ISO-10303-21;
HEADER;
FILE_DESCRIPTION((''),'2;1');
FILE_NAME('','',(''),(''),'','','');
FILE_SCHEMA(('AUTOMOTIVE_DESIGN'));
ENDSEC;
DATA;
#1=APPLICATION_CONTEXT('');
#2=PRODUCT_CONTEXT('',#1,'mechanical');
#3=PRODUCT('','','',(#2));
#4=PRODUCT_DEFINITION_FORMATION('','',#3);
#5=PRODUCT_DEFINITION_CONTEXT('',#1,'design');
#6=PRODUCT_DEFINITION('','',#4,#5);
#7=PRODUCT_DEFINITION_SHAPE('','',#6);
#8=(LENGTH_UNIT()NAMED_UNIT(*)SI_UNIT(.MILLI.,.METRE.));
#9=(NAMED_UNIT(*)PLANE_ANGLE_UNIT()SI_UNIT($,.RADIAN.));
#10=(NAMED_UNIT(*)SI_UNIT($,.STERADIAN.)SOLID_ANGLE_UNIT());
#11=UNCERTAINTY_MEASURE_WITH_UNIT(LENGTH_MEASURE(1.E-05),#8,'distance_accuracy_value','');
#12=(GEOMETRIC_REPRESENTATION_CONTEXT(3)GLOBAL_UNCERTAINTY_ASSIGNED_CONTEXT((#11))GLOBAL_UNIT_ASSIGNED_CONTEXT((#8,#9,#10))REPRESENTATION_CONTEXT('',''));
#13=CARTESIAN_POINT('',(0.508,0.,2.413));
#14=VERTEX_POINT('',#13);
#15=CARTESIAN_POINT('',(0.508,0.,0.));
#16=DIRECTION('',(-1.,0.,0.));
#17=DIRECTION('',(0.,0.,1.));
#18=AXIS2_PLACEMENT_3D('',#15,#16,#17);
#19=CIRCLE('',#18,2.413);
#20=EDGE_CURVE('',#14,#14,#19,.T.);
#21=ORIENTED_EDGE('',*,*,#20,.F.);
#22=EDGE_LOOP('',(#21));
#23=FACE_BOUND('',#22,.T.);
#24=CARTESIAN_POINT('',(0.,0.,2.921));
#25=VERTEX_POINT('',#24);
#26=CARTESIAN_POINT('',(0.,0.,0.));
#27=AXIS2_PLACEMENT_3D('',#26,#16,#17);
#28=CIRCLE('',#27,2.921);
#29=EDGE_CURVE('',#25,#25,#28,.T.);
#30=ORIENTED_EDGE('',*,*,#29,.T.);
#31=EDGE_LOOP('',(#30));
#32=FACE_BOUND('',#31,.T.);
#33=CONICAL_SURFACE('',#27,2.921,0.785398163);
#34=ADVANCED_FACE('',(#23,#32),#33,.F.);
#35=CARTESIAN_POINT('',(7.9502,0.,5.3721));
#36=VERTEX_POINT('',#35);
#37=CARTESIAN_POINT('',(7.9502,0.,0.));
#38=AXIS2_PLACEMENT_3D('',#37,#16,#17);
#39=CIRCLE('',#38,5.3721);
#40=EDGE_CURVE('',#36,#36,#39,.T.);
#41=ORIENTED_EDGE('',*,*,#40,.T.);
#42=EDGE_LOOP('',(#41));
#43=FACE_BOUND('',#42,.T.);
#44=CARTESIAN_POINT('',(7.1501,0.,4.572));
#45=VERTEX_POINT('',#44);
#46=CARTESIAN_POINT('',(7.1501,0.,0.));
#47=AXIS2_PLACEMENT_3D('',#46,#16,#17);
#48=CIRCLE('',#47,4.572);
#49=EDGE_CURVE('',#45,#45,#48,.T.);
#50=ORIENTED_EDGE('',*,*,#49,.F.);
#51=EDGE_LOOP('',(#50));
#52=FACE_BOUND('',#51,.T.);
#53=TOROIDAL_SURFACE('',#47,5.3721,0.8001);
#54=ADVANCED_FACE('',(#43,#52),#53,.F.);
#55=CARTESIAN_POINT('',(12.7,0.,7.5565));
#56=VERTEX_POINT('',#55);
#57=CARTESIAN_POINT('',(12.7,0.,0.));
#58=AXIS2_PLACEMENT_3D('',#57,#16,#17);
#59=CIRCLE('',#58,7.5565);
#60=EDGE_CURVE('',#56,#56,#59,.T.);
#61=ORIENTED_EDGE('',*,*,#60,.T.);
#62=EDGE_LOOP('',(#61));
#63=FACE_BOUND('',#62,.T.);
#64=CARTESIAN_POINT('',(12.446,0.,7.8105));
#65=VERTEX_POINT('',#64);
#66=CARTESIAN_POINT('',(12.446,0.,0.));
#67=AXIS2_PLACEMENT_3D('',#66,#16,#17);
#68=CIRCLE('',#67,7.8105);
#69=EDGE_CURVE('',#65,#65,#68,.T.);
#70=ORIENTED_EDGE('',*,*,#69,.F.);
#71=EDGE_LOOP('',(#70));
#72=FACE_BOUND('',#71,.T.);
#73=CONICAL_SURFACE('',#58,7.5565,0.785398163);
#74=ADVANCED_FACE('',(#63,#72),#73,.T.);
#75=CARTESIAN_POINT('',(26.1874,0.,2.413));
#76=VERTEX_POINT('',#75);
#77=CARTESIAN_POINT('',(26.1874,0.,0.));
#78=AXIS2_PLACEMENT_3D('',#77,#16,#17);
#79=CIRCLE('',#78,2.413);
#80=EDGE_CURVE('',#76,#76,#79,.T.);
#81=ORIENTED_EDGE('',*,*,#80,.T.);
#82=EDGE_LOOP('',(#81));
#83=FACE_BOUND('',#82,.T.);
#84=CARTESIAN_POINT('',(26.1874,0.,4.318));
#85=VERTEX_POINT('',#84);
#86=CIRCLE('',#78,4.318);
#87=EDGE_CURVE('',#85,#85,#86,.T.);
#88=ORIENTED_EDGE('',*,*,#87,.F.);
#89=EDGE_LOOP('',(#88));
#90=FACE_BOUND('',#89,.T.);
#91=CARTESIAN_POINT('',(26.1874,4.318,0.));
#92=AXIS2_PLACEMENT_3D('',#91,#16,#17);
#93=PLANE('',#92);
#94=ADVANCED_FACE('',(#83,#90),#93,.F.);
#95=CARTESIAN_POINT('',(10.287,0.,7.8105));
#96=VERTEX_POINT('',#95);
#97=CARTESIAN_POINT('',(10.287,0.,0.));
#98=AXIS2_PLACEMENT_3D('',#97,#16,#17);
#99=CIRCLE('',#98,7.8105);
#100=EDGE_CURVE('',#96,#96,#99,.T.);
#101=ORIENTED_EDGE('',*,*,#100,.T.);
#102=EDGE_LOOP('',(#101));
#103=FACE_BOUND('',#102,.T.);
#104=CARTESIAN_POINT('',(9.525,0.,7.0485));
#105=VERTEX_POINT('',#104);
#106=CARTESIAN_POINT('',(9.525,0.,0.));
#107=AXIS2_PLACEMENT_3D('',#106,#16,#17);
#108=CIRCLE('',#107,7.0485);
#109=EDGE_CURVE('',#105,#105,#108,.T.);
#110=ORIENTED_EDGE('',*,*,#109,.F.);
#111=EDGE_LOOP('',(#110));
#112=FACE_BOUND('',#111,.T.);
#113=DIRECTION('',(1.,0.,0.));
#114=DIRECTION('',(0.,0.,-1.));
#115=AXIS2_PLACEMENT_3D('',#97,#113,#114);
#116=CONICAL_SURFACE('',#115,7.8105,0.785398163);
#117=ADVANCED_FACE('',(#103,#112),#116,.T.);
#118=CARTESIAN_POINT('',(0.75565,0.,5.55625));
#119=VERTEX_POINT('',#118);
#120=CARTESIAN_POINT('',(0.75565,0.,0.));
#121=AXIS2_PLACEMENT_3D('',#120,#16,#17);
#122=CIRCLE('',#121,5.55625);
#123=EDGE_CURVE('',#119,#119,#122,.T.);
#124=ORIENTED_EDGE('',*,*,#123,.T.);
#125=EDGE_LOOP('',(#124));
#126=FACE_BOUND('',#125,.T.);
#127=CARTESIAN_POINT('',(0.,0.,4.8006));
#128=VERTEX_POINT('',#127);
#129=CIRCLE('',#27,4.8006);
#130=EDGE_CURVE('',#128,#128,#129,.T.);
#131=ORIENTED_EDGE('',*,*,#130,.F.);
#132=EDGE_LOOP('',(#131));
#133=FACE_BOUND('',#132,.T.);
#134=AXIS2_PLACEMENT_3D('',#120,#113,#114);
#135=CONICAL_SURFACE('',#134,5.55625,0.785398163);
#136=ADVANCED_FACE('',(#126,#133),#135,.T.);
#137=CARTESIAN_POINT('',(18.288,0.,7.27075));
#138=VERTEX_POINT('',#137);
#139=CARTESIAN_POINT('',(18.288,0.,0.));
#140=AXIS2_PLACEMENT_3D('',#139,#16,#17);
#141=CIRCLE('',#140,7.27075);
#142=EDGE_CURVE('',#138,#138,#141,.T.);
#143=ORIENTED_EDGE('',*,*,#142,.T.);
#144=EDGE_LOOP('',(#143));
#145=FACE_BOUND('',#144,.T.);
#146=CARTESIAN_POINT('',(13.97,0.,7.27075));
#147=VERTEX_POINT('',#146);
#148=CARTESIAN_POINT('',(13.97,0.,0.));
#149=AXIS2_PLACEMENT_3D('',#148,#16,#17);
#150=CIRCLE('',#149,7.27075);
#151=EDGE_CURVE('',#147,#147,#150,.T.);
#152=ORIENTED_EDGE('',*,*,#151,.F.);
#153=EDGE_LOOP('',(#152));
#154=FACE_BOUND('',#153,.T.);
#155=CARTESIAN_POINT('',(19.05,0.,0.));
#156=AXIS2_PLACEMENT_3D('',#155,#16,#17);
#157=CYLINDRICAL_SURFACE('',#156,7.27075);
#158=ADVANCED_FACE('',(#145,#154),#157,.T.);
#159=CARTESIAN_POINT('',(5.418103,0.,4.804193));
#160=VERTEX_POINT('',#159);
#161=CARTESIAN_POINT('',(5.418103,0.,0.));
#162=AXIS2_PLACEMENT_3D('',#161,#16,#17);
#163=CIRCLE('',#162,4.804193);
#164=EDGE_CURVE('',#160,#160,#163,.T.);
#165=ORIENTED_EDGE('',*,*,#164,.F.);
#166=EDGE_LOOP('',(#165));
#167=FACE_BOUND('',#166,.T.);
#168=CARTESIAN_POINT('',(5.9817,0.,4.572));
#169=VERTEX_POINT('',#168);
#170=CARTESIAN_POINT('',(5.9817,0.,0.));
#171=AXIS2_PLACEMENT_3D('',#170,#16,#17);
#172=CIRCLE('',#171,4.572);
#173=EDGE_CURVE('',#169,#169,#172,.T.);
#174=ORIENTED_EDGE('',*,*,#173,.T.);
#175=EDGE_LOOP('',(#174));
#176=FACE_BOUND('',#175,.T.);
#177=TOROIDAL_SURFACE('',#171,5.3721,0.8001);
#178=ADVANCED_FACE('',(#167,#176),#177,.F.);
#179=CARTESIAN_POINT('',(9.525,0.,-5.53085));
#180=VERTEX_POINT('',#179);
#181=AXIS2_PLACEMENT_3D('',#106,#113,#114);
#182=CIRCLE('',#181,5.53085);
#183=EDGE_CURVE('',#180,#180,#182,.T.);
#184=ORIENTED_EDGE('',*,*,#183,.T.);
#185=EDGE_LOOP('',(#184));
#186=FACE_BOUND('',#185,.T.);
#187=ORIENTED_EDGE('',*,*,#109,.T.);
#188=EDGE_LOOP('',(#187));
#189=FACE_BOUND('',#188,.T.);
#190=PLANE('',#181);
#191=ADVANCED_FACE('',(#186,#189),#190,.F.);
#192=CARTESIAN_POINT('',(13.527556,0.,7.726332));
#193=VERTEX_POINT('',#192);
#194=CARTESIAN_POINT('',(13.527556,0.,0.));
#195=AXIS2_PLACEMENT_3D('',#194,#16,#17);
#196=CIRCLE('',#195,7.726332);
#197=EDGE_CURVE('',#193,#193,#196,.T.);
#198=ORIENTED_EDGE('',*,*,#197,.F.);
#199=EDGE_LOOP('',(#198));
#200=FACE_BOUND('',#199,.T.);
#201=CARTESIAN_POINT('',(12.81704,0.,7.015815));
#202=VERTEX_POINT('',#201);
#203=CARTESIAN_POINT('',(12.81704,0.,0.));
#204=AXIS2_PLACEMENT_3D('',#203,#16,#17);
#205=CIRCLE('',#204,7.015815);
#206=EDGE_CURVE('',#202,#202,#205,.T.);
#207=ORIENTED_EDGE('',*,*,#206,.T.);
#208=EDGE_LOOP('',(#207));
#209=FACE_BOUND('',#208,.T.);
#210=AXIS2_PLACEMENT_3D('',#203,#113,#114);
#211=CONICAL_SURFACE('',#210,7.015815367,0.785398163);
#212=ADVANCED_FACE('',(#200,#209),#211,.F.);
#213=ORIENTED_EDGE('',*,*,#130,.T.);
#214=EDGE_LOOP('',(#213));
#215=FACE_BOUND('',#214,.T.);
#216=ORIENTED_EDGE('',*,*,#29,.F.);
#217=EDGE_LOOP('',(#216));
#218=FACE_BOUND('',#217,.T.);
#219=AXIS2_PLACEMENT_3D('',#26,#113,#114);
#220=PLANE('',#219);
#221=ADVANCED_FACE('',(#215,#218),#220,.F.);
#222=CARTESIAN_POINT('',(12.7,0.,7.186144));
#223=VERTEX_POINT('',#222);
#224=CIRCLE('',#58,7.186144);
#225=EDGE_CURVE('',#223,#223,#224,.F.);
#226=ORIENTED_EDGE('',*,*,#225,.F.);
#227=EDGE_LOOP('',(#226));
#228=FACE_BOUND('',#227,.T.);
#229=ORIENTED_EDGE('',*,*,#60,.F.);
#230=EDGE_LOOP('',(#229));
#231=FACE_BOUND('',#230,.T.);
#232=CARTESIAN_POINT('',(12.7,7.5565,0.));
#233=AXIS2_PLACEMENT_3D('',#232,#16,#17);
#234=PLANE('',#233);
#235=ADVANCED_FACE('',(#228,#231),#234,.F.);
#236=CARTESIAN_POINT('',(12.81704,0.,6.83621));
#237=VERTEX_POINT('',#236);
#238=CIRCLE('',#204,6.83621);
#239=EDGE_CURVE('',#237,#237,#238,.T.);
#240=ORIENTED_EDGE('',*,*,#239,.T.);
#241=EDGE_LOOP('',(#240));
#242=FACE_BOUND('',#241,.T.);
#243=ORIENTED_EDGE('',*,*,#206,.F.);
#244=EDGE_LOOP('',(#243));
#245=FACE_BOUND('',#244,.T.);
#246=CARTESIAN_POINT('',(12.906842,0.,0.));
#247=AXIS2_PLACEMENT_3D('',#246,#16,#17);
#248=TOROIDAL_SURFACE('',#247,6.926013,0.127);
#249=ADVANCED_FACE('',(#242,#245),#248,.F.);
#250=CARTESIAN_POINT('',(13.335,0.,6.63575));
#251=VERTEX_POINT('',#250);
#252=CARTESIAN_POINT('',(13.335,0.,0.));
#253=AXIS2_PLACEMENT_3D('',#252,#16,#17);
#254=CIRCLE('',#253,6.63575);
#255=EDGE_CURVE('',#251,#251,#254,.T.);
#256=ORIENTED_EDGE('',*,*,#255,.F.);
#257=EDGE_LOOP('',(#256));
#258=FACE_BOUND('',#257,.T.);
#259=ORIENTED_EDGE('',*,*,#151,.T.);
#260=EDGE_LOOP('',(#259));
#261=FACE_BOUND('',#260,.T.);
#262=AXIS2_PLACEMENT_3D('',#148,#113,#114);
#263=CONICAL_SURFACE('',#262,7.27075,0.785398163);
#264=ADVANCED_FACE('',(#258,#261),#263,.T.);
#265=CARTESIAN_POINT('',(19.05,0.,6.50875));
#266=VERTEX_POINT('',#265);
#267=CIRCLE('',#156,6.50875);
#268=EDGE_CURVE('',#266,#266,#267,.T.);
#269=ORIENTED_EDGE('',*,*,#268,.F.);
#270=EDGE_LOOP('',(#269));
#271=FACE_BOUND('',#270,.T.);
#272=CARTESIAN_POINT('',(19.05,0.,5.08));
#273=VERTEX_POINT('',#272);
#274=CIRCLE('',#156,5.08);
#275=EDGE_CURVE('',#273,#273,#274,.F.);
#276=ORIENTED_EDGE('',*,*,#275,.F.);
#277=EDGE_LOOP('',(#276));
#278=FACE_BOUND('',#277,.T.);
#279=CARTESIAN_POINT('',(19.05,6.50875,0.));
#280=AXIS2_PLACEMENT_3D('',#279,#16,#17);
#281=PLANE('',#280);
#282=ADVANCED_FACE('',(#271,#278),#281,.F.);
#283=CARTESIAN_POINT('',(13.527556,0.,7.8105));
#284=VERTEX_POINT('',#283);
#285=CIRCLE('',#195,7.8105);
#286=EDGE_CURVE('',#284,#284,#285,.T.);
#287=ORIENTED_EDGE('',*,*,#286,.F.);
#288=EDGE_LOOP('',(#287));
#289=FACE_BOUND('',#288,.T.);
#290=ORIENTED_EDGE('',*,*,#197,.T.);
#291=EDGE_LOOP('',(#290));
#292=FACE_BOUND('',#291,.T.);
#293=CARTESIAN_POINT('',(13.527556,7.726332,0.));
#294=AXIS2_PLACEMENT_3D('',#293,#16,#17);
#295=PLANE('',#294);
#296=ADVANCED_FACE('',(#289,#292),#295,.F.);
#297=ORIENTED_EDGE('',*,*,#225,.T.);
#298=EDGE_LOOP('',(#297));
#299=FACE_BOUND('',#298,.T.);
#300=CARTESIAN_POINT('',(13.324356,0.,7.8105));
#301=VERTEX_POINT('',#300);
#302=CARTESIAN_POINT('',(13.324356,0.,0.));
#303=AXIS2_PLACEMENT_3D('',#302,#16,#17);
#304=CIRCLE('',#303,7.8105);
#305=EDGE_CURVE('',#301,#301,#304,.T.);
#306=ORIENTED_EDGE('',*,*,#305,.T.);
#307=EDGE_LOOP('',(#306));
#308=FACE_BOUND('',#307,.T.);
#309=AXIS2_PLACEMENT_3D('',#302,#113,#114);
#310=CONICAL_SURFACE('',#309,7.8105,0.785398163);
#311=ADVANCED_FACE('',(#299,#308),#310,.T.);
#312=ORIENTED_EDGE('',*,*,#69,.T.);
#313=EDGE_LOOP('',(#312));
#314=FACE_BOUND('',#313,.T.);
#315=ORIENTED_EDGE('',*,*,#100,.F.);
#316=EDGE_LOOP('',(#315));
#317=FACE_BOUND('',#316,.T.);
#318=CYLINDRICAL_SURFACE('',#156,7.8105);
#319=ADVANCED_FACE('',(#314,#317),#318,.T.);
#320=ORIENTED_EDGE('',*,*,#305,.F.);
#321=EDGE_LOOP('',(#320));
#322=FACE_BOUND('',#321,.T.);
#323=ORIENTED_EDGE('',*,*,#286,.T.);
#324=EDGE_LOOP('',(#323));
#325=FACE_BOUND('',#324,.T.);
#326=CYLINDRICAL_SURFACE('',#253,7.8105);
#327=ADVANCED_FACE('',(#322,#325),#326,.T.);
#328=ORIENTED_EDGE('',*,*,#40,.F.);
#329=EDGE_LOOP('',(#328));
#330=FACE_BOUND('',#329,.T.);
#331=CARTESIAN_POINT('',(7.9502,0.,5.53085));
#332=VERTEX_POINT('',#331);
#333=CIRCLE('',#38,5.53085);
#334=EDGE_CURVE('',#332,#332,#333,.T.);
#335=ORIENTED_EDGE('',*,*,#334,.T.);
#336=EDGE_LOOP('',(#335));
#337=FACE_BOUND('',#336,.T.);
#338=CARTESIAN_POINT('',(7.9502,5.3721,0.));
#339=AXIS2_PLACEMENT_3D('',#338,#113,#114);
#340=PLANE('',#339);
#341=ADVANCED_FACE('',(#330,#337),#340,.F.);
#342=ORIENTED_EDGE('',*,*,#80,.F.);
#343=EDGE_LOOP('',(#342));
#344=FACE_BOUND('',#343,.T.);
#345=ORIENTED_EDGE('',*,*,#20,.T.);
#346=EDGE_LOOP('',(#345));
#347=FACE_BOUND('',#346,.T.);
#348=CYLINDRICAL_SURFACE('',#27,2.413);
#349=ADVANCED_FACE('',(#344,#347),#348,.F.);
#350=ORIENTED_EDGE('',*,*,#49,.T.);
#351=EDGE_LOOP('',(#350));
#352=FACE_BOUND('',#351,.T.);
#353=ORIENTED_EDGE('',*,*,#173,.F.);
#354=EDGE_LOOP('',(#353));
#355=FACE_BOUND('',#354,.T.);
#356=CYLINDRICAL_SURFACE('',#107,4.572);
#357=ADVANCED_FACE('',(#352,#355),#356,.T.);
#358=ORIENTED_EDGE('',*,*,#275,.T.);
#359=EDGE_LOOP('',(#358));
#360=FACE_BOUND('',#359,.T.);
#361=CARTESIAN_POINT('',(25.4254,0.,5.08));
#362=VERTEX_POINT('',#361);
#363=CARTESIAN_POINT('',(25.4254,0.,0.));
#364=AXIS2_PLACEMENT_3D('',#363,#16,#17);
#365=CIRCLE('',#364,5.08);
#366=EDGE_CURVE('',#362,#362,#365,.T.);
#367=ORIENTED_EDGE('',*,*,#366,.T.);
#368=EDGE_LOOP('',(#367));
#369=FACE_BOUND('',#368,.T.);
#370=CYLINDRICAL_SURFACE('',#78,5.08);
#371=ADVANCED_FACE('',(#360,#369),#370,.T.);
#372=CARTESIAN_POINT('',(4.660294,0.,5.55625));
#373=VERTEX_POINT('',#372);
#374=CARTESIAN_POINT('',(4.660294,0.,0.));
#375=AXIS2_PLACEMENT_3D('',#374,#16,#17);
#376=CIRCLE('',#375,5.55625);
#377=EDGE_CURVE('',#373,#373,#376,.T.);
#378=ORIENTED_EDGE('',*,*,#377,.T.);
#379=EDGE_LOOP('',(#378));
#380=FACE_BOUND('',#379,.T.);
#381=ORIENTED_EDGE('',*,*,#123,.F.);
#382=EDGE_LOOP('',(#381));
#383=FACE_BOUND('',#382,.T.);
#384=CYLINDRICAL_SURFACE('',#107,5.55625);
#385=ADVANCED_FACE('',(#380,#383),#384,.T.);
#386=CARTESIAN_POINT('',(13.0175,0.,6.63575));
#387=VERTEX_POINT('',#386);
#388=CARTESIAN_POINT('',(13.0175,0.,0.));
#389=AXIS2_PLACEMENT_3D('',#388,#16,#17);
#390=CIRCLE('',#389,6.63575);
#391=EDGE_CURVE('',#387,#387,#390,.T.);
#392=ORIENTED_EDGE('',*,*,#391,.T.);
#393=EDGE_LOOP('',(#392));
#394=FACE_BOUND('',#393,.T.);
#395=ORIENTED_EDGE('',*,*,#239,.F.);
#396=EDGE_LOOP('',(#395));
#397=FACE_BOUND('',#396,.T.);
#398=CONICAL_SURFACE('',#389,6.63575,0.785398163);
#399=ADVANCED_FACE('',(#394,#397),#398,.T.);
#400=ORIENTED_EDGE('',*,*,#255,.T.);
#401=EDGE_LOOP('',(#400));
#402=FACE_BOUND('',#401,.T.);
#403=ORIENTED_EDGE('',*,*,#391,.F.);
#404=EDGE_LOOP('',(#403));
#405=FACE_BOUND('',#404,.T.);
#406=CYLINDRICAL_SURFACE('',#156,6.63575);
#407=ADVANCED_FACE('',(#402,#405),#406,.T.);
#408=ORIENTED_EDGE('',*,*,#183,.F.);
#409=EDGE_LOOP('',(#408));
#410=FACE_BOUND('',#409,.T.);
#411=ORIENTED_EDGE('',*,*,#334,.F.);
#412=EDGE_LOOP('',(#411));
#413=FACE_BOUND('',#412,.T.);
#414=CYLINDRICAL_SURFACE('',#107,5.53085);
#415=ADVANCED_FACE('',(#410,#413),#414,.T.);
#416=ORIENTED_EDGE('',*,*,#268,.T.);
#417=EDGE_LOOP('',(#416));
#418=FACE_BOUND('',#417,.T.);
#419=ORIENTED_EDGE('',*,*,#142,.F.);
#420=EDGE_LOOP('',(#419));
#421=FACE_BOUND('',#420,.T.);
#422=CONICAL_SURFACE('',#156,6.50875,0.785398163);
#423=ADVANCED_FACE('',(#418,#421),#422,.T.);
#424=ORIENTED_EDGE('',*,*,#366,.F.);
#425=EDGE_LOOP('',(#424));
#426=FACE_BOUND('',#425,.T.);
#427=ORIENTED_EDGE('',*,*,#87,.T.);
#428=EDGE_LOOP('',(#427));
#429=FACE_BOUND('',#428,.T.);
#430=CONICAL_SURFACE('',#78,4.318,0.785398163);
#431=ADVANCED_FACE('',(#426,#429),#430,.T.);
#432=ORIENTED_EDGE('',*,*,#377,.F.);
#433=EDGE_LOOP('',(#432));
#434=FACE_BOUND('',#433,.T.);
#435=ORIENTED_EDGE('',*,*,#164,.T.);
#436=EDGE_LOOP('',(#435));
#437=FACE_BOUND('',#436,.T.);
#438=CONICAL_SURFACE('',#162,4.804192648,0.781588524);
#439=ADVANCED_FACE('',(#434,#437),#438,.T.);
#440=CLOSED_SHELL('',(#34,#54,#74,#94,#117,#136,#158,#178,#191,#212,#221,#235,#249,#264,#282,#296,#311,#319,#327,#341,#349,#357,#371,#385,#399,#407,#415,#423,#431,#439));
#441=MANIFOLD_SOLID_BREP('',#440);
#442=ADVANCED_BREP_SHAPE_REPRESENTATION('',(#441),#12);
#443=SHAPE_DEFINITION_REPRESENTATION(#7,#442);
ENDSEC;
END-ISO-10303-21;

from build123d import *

# Parameters (mm, degrees)
HOLE1_D           = 4.826
HOLE1_CSINK_D     = 5.842
HOLE1_CSINK_ANGLE = 90


with BuildPart() as part:
    # Sketch1 → Revolve1 (revolve)
    with BuildSketch(Plane.XY):
        with BuildLine():
            Line((0, 0), (0, 4.8006))
            Line((0, 4.8006), (0.75565, 5.55625))
            Line((0.75565, 5.55625), (4.660293864, 5.55625))
            Line((4.660293864, 5.55625), (5.418103291, 4.804192648))
            ThreePointArc((5.418103291, 4.804192648), (5.676923575, 4.6323221), (5.9817, 4.572))
            Line((5.9817, 4.572), (7.1501, 4.572))
            ThreePointArc((7.1501, 4.572), (7.715856136, 4.806343864), (7.9502, 5.3721))
            Line((7.9502, 5.3721), (7.9502, 5.53085))
            Line((7.9502, 5.53085), (9.525, 5.53085))
            Line((9.525, 5.53085), (9.525, 0))
            Line((9.525, 0), (0, 0))
        make_face()
    revolve(axis=Axis((9.525, 0, 0), (-1, 0, 0)))

    # Sketch2 → Revolve2 (revolve)
    with BuildSketch(Plane.XY):
        Polygon((9.525, 0), (9.525, 7.0485), (10.287, 7.8105), (12.446, 7.8105), (12.7, 7.5565), (12.7, 6.63575), (13.335, 6.63575), (13.97, 7.27075), (18.288, 7.27075), (19.05, 6.50875), (19.05, 0), align=None)
    revolve(axis=Axis((19.05, 0, 0), (-1, 0, 0)))

    # Sketch3 → Revolve3 (revolve)
    with BuildSketch(Plane.XY):
        Polygon((19.05, 0), (19.05, 5.08), (25.4254, 5.08), (26.1874, 4.318), (26.1874, 0), align=None)
    revolve(axis=Axis((26.1874, 0, 0), (-1, 0, 0)))

    # Hole1 (through all)
    with Locations(Plane.ZY):
        with Locations((0, 0)):
            CounterSinkHole(HOLE1_D / 2, HOLE1_CSINK_D / 2, counter_sink_angle=HOLE1_CSINK_ANGLE)

    # Sketch6 → Revolve4 (revolve)
    with BuildSketch(Plane.XY):
        with BuildLine():
            Line((12.7, 6.38175), (13.335, 6.38175))
            Line((13.335, 6.38175), (13.335, 6.63575))
            Line((13.335, 6.63575), (13.0175, 6.63575))
            Line((13.0175, 6.63575), (12.817039755, 6.836210245))
            ThreePointArc((12.817039755, 6.836210245), (12.779842316, 6.926012806), (12.817039755, 7.015815367))
            Line((12.817039755, 7.015815367), (13.527556192, 7.726331804))
            Line((13.527556192, 7.726331804), (13.527556192, 7.8105))
            Line((13.527556192, 7.8105), (13.324356192, 7.8105))
            Line((13.324356192, 7.8105), (12.7, 7.186143808))
            Line((12.7, 7.186143808), (12.7, 6.38175))
        make_face()
    revolve(axis=Axis((13.335, 0, 0), (-1, 0, 0)))


solid = part.part
